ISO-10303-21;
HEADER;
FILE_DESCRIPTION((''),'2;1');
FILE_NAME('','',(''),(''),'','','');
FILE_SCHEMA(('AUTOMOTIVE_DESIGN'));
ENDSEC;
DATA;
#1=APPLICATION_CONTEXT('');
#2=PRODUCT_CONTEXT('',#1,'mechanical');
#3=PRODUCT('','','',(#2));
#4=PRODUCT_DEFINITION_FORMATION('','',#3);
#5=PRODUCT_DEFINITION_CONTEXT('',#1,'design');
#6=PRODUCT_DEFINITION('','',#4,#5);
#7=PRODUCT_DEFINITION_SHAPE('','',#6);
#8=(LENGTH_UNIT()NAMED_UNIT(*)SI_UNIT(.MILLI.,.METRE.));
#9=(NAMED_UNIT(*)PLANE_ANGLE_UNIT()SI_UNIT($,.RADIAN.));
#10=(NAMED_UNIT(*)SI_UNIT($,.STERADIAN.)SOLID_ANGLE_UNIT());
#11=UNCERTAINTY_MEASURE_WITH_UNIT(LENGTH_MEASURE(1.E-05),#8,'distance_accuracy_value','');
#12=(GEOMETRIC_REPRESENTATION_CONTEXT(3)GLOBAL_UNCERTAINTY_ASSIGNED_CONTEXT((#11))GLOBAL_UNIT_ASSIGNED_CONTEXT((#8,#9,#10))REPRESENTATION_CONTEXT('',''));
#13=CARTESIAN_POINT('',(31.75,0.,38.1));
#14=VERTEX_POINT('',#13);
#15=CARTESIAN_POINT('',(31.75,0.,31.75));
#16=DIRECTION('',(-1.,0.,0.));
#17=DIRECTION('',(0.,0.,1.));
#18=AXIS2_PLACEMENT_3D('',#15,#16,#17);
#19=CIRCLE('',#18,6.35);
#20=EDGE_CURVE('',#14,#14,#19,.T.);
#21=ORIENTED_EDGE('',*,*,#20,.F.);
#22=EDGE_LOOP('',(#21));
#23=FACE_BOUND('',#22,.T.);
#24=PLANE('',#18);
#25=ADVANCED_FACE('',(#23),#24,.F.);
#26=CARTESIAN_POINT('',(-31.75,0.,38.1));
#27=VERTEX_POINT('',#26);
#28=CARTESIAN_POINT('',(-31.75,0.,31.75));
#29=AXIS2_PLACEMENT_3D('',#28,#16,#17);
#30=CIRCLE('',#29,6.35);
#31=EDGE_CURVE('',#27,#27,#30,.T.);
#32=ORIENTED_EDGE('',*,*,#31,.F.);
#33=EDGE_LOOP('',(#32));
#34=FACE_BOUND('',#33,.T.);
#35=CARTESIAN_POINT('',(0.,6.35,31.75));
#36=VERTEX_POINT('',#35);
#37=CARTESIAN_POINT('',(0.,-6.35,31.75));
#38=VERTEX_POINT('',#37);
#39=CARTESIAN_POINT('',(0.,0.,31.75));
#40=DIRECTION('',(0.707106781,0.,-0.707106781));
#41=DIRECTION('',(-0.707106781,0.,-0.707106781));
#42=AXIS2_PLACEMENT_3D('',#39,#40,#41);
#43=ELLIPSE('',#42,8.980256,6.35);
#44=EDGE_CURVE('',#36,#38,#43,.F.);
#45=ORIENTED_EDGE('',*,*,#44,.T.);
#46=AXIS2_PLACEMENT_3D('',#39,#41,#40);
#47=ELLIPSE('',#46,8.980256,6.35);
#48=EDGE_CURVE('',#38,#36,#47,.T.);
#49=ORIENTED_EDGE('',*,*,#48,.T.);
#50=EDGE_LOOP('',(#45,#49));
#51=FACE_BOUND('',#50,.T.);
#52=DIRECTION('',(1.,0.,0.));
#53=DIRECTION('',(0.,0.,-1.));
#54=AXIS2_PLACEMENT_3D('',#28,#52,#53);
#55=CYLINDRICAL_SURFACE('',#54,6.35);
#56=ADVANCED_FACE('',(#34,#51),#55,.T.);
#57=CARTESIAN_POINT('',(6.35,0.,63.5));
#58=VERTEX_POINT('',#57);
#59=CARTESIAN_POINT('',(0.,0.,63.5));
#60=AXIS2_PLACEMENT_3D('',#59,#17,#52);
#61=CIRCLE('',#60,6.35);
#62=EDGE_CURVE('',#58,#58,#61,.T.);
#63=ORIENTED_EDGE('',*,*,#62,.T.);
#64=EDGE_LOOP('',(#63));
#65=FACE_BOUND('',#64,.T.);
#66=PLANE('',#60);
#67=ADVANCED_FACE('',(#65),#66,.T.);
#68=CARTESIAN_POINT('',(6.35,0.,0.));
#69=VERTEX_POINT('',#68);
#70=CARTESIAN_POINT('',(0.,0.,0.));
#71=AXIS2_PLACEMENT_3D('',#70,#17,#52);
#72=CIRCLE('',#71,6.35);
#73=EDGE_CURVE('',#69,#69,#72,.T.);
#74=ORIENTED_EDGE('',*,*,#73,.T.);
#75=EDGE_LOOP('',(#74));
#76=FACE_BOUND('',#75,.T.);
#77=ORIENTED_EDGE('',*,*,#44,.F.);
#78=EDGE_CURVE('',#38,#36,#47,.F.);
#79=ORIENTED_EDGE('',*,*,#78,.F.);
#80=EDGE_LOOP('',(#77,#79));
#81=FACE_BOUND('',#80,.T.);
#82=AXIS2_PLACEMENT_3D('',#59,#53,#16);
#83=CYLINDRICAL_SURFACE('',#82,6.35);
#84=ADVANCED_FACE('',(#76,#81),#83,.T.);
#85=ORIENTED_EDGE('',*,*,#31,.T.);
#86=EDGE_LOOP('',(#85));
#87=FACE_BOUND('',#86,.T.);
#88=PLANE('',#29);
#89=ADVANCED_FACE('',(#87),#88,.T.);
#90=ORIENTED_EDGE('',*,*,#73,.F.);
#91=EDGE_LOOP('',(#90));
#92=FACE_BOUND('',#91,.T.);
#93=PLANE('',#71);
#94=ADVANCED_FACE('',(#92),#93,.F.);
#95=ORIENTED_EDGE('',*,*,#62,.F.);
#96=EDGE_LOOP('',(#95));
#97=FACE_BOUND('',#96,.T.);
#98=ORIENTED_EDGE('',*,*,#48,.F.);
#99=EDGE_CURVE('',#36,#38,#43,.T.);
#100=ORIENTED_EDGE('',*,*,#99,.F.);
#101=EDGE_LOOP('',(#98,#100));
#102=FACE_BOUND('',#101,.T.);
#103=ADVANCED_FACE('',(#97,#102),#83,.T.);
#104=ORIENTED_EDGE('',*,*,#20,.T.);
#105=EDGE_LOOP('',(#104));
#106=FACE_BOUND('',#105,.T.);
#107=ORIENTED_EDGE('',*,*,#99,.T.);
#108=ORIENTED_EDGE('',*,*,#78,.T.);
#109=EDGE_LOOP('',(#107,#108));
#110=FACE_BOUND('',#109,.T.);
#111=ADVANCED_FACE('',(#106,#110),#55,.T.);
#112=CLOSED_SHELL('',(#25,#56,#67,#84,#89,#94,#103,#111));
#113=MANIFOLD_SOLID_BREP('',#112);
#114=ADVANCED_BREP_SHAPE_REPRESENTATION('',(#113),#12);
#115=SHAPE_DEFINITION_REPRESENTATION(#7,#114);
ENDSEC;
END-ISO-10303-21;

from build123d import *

# Parameters (mm, degrees)
SKETCH1_R           = 6.35
BOSS_EXTRUDE1_DEPTH = 63.5
CIRPATTERN1_COUNT   = 2
CIRPATTERN1_ANGLE   = 90


with BuildPart() as part:
    # Sketch1 → Boss-Extrude1 (new body)
    with BuildSketch(Plane.XY):
        Circle(SKETCH1_R)
    boss_extrude1 = extrude(amount=BOSS_EXTRUDE1_DEPTH)

    # CirPattern1: Boss-Extrude1 ×2 about axis
    cirpattern1_axis = Axis((0, 6.35, 31.75), (0, -1, 0))
    for i in range(1, CIRPATTERN1_COUNT):
        add(boss_extrude1.rotate(cirpattern1_axis, i * CIRPATTERN1_ANGLE / (CIRPATTERN1_COUNT - 1)))


solid = part.part
